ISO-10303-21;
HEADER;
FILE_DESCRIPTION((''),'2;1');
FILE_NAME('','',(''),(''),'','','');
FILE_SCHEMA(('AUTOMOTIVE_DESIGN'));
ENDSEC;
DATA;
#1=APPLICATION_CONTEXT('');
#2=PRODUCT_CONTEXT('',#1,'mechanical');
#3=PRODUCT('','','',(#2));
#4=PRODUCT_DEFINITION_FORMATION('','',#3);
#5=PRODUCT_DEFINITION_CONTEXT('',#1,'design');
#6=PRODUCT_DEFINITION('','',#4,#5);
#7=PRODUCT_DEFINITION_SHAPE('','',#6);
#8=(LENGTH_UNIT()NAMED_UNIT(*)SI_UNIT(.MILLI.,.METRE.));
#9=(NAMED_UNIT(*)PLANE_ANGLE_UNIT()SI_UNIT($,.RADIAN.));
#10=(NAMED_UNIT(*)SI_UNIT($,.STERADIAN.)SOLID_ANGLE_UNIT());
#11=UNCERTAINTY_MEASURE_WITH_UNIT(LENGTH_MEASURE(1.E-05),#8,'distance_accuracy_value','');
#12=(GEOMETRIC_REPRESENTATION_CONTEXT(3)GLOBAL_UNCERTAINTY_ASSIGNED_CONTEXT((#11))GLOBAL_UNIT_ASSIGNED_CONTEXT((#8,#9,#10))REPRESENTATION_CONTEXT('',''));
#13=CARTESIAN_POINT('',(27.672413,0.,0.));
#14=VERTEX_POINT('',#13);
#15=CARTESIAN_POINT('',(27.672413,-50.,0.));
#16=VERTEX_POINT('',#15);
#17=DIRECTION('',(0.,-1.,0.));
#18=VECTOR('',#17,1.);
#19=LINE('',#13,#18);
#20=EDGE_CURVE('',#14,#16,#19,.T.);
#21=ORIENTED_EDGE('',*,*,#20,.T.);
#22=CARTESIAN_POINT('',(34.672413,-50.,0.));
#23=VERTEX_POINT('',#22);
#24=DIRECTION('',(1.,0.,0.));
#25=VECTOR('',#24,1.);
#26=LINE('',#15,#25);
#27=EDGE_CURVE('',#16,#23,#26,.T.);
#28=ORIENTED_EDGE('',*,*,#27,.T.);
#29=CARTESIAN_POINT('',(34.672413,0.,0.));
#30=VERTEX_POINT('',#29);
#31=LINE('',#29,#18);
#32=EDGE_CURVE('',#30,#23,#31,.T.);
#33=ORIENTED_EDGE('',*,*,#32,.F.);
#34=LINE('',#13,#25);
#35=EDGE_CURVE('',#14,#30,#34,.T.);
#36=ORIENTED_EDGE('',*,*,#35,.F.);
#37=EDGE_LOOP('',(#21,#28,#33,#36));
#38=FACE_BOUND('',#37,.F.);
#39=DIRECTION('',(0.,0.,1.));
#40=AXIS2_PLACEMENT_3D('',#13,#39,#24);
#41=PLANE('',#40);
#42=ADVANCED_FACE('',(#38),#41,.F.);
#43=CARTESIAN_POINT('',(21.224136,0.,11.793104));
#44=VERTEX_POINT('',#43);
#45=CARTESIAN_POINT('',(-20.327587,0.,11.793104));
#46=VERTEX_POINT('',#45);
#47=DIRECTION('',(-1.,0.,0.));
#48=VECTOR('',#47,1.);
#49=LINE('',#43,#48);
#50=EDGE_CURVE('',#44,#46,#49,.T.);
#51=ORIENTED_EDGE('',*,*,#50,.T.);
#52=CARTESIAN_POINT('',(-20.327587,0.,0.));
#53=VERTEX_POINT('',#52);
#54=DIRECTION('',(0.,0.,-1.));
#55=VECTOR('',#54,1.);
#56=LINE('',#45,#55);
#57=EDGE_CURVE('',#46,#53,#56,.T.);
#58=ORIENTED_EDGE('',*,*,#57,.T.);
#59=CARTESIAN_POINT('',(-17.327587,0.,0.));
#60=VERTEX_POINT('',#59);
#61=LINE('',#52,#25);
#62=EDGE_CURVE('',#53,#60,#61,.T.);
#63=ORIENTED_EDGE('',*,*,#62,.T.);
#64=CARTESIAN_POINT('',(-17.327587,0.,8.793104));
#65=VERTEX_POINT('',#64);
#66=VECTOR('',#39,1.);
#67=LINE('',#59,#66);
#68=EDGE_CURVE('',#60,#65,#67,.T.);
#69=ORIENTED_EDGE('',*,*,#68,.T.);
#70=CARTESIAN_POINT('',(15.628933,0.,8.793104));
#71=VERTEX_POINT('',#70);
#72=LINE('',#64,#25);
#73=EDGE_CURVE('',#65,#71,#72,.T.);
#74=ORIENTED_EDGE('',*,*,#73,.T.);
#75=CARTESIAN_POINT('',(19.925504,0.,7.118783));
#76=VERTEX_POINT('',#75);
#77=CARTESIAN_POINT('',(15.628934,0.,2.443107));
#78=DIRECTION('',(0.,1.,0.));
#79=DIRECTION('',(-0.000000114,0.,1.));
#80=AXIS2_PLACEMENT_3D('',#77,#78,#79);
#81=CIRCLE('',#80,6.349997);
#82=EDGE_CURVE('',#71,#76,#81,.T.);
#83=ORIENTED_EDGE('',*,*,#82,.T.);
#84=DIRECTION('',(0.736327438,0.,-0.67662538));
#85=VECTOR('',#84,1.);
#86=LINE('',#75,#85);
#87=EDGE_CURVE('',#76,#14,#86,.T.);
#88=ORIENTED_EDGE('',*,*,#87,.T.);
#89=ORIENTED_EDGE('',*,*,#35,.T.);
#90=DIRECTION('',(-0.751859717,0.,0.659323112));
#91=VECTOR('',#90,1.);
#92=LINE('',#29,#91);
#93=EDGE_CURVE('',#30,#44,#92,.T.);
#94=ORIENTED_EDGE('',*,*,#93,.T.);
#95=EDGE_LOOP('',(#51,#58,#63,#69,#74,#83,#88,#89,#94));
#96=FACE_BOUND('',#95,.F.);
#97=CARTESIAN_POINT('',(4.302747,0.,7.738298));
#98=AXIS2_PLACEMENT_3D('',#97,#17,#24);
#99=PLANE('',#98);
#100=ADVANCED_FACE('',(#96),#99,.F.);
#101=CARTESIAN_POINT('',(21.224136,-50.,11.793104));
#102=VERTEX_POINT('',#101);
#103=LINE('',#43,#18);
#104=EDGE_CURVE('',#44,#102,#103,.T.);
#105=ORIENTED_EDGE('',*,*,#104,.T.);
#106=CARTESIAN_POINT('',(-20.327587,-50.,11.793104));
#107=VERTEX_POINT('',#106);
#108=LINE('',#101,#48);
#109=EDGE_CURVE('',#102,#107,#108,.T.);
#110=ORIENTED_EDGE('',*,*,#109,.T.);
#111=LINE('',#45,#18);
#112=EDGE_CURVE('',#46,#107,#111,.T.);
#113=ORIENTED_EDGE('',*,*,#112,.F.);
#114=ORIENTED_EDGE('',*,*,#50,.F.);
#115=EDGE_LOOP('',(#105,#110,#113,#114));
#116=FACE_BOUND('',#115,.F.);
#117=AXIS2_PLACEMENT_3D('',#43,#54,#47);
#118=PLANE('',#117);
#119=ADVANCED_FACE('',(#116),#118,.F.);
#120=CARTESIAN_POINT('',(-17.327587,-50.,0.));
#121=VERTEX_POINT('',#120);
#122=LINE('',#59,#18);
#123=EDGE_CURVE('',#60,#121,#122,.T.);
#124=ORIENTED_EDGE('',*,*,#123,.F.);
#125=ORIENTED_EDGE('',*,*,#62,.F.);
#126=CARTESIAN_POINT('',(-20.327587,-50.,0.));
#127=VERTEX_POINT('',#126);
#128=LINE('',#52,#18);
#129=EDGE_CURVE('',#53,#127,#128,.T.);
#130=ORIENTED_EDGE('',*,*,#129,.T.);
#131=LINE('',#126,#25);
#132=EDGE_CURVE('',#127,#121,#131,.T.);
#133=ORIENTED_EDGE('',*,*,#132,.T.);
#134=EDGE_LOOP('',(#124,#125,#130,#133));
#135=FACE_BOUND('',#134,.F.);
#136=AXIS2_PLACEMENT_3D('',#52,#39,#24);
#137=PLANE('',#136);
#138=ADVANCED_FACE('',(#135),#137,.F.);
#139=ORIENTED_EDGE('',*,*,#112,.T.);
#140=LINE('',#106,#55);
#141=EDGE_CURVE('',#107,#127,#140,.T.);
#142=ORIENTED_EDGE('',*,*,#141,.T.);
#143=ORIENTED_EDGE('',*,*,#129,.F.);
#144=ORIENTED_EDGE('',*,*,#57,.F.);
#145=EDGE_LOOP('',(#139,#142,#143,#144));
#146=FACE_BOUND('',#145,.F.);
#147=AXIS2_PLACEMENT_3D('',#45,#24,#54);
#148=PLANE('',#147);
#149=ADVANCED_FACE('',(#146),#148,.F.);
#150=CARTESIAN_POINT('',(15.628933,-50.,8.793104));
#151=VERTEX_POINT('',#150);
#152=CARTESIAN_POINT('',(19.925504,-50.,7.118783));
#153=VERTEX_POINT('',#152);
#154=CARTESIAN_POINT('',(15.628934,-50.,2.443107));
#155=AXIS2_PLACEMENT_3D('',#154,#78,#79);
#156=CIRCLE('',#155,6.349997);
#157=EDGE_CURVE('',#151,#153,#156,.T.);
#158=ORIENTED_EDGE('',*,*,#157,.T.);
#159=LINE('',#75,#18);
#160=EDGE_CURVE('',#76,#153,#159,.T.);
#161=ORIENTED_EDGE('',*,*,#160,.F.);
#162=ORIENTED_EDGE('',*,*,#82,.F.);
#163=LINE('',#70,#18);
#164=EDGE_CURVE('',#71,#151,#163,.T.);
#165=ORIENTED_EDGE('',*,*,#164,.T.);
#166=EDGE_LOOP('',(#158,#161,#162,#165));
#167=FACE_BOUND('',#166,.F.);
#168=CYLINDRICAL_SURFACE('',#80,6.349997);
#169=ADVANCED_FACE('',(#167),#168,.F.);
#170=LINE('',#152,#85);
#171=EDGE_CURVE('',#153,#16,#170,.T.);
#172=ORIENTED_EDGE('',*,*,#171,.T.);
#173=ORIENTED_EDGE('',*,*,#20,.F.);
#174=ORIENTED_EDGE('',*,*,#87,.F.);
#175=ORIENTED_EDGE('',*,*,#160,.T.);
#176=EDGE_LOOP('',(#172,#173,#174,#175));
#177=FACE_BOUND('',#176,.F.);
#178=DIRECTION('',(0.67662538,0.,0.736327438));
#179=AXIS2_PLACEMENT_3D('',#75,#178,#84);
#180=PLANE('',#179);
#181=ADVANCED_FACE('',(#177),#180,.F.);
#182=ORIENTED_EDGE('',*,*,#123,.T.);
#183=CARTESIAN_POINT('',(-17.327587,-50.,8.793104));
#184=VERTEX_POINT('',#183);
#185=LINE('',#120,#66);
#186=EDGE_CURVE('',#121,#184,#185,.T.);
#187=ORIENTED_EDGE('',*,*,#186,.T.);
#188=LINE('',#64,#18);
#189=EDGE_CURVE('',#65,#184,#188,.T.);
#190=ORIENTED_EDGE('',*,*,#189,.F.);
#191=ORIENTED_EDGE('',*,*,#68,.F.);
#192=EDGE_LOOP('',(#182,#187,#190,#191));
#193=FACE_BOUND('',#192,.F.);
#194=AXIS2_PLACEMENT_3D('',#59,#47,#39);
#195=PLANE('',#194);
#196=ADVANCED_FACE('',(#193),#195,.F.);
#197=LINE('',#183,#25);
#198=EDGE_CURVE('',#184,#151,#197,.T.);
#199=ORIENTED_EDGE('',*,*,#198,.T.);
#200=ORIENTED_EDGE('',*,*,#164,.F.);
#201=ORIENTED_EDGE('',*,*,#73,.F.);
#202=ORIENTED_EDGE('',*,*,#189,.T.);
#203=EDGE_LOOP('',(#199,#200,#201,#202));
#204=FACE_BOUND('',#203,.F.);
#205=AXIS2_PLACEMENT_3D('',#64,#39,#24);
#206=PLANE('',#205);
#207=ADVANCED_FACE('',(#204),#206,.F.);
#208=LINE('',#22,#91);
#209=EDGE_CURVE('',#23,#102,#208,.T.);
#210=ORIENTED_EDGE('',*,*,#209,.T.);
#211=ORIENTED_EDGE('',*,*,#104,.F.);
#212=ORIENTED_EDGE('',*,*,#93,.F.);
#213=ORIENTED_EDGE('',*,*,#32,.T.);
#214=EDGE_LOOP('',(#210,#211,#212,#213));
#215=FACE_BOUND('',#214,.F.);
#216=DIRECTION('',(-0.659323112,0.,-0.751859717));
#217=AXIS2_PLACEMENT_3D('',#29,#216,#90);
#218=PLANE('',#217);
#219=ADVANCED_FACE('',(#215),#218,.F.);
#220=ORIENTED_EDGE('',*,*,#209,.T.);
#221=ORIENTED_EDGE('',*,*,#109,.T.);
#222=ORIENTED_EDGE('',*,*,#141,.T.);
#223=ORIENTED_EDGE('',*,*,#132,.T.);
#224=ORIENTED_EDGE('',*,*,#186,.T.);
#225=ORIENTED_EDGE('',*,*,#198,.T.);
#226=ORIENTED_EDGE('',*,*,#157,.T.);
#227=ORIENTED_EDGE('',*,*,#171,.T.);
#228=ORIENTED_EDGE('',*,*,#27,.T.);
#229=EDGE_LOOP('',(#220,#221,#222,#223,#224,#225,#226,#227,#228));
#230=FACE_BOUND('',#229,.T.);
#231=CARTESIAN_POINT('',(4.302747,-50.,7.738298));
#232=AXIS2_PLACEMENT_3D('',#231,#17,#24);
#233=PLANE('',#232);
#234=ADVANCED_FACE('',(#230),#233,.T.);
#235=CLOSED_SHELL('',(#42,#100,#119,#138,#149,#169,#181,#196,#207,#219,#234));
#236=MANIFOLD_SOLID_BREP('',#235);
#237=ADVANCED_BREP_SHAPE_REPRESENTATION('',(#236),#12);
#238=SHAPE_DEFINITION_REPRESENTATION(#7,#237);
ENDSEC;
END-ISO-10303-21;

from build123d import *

# Parameters (mm, degrees)
F1_DEPTH = 50


with BuildPart() as f1:
    # F0 (on Front) → F1 (new body)
    with BuildSketch(Plane.XZ):
        with BuildLine():
            Line((-20.327587, 11.793104), (-20.327587, 0))
            Line((-20.327587, 0), (-17.327587, 0))
            Line((-17.327587, 0), (-17.327587, 8.793104))
            Line((-17.327587, 8.793104), (15.628933, 8.793104))
            ThreePointArc((15.628933, 8.793104), (17.934571, 8.359736), (19.925504, 7.118783))
            Line((19.925504, 7.118783), (27.672413, 0))
            Line((27.672413, 0), (34.672413, 0))
            Line((34.672413, 0), (21.224136, 11.793104))
            Line((21.224136, 11.793104), (-20.327587, 11.793104))
        make_face()
    extrude(amount=F1_DEPTH)


solid = f1.part
